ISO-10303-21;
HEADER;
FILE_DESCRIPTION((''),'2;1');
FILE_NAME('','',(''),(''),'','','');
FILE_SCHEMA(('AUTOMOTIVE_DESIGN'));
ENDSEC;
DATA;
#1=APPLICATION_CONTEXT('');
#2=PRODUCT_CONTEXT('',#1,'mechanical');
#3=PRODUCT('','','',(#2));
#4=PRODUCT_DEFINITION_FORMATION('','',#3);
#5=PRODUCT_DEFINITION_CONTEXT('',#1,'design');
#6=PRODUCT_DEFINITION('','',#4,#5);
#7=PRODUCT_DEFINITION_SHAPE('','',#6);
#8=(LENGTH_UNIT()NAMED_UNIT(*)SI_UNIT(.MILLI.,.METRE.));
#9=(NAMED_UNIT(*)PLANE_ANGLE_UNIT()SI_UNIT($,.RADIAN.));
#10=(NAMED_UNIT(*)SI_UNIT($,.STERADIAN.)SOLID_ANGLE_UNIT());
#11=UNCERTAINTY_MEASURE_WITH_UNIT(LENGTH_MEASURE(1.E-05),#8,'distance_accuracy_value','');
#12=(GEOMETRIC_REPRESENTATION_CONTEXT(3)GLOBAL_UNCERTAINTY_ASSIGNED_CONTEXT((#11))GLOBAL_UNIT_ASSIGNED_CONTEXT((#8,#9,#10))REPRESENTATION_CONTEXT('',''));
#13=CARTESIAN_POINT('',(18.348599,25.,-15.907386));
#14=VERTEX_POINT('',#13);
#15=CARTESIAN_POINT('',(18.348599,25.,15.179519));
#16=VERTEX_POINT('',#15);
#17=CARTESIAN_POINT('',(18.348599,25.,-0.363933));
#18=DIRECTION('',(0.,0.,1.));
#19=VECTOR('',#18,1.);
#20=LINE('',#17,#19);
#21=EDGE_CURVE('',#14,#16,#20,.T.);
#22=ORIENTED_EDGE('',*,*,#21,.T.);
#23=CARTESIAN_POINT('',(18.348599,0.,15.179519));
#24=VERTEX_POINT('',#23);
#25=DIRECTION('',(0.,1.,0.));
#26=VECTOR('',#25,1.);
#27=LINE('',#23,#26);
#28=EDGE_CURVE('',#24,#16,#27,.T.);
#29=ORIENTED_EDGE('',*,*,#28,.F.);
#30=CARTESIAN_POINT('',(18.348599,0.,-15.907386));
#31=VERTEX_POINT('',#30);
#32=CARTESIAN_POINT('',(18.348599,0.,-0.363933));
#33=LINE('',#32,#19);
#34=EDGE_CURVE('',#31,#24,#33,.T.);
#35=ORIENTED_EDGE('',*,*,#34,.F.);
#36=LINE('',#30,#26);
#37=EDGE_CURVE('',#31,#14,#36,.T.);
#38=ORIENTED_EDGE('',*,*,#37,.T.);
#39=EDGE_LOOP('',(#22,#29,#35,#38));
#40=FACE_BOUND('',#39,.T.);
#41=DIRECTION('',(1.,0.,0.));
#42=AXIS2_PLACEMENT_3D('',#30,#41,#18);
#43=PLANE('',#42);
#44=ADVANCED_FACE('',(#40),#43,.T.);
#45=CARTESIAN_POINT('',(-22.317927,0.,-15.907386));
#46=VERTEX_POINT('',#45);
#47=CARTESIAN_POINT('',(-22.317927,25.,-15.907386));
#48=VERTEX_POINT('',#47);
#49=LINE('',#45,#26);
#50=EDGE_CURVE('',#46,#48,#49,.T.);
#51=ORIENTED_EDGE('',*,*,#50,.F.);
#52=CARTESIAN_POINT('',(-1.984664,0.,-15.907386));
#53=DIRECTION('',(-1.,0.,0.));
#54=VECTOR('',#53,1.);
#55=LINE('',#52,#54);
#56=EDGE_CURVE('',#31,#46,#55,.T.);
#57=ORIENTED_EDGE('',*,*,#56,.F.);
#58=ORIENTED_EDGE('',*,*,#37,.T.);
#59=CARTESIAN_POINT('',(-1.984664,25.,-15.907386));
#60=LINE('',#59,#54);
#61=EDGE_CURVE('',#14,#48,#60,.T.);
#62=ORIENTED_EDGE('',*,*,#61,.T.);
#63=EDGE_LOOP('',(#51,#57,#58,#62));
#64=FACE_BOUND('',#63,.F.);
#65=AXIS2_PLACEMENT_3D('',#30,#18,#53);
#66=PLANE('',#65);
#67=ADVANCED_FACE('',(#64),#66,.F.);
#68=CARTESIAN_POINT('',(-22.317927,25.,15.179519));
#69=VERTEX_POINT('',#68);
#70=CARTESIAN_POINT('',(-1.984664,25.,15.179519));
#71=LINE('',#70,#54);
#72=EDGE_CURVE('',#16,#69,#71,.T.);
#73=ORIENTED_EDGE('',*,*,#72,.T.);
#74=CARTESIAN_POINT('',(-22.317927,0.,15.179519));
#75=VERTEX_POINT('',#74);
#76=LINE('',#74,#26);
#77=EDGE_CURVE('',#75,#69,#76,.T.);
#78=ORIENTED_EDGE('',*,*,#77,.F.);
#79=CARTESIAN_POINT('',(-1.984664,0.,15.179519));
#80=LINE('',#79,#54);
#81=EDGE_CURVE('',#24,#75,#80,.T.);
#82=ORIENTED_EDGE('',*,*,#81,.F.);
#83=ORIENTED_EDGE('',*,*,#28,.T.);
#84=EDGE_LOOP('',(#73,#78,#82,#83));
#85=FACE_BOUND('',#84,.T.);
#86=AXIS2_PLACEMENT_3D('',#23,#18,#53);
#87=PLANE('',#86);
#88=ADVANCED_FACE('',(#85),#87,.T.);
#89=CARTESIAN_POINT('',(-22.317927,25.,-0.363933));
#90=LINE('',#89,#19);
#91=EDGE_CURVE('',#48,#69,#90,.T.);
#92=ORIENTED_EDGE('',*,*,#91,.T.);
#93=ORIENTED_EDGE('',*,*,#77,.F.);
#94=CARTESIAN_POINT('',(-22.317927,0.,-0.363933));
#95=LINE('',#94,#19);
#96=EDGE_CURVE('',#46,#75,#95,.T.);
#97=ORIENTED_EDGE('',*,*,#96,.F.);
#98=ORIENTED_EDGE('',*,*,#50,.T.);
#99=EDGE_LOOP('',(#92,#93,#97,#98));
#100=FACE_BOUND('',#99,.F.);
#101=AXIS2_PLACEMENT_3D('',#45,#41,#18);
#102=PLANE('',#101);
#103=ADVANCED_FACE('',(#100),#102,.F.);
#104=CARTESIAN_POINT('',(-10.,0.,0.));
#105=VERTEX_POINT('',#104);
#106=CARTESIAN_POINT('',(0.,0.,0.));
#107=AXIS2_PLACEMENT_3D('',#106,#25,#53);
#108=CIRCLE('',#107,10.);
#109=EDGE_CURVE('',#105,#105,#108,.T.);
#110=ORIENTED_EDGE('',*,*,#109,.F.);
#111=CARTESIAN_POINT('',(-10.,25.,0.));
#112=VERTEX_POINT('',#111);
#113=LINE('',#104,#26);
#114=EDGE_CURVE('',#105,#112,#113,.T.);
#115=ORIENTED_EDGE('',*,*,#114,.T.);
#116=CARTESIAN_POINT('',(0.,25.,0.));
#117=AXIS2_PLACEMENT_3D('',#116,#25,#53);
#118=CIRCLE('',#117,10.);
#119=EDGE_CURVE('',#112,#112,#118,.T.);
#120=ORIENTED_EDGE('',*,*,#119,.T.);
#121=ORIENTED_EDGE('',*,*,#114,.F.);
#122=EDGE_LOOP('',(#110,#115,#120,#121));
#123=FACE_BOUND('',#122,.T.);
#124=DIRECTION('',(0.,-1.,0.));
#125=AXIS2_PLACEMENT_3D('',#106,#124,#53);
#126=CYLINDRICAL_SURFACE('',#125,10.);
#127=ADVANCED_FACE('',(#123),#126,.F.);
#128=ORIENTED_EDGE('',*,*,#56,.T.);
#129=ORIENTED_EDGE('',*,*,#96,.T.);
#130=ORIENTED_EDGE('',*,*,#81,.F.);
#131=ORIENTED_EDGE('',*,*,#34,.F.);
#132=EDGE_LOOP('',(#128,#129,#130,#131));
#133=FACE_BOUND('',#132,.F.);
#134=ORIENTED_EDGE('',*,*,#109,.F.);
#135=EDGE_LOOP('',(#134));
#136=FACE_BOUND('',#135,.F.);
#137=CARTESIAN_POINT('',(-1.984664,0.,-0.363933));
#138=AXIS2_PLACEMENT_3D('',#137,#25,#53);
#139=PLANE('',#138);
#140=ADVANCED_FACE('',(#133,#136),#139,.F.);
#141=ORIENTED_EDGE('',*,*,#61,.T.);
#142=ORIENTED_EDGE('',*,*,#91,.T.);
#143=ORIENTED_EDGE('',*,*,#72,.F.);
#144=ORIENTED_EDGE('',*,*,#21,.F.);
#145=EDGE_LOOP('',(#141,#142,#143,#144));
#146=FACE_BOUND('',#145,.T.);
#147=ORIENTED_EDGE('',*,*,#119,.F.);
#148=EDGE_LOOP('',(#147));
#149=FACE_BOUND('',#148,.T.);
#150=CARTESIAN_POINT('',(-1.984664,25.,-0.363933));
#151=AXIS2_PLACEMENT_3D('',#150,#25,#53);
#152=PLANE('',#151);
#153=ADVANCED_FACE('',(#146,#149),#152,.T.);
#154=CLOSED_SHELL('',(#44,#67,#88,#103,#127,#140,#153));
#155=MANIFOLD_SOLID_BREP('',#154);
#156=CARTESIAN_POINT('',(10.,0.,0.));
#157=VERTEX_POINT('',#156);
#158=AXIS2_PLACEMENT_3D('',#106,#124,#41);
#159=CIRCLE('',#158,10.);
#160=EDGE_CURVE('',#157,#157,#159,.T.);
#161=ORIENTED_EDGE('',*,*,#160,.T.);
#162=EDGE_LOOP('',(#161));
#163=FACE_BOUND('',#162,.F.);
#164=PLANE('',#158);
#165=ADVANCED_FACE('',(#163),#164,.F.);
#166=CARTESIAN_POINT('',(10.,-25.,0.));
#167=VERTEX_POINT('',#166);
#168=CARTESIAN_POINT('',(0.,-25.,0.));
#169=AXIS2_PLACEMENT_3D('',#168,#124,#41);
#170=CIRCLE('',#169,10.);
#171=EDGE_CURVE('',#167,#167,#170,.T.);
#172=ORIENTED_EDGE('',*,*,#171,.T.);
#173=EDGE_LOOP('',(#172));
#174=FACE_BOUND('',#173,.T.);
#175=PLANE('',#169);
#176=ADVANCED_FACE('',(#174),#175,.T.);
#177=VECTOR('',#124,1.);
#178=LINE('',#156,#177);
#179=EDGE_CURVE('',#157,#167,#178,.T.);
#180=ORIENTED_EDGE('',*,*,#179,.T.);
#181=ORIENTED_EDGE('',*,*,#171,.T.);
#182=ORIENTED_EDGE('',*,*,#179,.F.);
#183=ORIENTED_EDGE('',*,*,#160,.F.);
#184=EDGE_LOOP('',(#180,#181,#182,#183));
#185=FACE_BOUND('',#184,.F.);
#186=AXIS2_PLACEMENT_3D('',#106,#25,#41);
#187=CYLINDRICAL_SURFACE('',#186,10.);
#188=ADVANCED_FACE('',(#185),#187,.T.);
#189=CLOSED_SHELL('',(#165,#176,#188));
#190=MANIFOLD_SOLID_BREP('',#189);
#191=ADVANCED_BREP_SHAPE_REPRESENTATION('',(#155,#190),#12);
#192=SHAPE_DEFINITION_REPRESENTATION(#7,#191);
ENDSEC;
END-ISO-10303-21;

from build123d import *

# Parameters (mm, degrees)
F0_R     = 10
F1_DEPTH = 25
F2_W     = 40.666526
F2_H     = 31.086905
F2_R     = 10
F3_DEPTH = 25


with BuildPart() as f1:
    # F0 (on Front) → F1 (new body)
    with BuildSketch(Plane.XZ):
        Circle(F0_R)
    extrude(amount=F1_DEPTH)


with BuildPart() as f3:
    # F2 (on face) → F3 (new body)
    with BuildSketch(Plane(origin=(0, 0, 0), x_dir=(-1, 0, 0), z_dir=(0, 1, 0))):
        with Locations((1.984664, -0.363933)):
            Rectangle(F2_W, F2_H)
        Circle(F2_R, mode=Mode.SUBTRACT)
    extrude(amount=F3_DEPTH)


solid = Compound([f1.part, f3.part])
